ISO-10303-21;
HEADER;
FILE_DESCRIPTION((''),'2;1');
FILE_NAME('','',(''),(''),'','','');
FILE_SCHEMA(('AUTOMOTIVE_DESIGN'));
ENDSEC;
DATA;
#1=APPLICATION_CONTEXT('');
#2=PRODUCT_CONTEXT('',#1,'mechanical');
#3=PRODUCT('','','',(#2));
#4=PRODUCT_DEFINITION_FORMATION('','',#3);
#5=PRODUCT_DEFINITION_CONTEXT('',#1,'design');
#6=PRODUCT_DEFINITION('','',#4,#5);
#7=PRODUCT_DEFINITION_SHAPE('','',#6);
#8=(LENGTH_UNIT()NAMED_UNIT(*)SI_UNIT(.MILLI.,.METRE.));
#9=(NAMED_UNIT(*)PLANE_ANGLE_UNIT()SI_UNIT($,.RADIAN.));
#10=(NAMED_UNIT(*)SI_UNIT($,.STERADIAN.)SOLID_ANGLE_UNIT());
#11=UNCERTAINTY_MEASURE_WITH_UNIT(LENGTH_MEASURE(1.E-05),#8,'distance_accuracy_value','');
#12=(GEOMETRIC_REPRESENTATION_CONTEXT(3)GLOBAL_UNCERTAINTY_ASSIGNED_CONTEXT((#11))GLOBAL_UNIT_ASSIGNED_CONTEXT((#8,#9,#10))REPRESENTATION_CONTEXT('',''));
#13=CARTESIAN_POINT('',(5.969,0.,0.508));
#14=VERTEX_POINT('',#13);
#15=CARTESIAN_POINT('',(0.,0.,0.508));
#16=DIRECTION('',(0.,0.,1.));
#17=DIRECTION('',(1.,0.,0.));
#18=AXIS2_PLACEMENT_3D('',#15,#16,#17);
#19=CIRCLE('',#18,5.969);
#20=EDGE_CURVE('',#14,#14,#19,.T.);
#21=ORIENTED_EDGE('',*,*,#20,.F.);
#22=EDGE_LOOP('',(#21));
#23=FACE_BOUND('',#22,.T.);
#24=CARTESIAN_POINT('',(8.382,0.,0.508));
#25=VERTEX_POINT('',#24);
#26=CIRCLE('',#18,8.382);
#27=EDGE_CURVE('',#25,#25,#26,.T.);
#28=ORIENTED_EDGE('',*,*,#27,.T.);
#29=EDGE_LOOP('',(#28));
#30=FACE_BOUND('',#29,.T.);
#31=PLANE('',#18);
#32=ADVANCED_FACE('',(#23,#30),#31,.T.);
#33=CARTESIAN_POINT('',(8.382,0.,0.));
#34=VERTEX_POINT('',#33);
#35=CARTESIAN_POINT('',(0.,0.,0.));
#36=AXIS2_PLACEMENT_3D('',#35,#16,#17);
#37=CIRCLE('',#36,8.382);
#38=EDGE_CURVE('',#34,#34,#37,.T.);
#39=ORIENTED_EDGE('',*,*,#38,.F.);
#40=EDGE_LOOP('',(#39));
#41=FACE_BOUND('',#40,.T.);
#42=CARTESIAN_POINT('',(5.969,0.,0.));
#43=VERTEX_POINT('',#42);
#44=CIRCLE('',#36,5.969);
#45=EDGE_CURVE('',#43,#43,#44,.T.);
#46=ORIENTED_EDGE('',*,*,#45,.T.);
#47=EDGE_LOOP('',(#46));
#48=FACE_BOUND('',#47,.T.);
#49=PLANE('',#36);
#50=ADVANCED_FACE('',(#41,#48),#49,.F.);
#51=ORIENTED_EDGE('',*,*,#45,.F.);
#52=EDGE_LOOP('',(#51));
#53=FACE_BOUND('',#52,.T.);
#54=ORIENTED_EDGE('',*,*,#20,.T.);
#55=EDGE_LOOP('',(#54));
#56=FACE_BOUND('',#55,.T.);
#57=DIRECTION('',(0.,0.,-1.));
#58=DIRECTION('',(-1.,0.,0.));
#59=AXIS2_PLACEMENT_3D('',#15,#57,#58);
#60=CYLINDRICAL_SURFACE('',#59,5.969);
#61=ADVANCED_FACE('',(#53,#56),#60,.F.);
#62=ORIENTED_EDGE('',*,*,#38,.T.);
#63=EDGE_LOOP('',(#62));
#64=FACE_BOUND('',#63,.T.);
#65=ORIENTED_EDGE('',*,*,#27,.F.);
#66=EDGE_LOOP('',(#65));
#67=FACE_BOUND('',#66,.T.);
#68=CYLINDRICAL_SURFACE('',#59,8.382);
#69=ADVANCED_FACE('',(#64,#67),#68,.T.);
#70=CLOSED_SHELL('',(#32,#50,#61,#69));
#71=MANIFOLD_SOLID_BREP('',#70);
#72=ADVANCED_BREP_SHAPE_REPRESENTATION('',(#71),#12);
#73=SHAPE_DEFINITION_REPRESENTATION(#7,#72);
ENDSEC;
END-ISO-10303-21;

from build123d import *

# Parameters (mm, degrees)
SKETCH1_R          = 8.382
SKETCH1_R_2        = 5.969
BASE_EXTRUDE_DEPTH = 0.508


with BuildPart() as part:
    # Sketch1 → Base-Extrude (new body)
    with BuildSketch(Plane.XY):
        Circle(SKETCH1_R)
        Circle(SKETCH1_R_2, mode=Mode.SUBTRACT)
    extrude(amount=BASE_EXTRUDE_DEPTH)


solid = part.part
